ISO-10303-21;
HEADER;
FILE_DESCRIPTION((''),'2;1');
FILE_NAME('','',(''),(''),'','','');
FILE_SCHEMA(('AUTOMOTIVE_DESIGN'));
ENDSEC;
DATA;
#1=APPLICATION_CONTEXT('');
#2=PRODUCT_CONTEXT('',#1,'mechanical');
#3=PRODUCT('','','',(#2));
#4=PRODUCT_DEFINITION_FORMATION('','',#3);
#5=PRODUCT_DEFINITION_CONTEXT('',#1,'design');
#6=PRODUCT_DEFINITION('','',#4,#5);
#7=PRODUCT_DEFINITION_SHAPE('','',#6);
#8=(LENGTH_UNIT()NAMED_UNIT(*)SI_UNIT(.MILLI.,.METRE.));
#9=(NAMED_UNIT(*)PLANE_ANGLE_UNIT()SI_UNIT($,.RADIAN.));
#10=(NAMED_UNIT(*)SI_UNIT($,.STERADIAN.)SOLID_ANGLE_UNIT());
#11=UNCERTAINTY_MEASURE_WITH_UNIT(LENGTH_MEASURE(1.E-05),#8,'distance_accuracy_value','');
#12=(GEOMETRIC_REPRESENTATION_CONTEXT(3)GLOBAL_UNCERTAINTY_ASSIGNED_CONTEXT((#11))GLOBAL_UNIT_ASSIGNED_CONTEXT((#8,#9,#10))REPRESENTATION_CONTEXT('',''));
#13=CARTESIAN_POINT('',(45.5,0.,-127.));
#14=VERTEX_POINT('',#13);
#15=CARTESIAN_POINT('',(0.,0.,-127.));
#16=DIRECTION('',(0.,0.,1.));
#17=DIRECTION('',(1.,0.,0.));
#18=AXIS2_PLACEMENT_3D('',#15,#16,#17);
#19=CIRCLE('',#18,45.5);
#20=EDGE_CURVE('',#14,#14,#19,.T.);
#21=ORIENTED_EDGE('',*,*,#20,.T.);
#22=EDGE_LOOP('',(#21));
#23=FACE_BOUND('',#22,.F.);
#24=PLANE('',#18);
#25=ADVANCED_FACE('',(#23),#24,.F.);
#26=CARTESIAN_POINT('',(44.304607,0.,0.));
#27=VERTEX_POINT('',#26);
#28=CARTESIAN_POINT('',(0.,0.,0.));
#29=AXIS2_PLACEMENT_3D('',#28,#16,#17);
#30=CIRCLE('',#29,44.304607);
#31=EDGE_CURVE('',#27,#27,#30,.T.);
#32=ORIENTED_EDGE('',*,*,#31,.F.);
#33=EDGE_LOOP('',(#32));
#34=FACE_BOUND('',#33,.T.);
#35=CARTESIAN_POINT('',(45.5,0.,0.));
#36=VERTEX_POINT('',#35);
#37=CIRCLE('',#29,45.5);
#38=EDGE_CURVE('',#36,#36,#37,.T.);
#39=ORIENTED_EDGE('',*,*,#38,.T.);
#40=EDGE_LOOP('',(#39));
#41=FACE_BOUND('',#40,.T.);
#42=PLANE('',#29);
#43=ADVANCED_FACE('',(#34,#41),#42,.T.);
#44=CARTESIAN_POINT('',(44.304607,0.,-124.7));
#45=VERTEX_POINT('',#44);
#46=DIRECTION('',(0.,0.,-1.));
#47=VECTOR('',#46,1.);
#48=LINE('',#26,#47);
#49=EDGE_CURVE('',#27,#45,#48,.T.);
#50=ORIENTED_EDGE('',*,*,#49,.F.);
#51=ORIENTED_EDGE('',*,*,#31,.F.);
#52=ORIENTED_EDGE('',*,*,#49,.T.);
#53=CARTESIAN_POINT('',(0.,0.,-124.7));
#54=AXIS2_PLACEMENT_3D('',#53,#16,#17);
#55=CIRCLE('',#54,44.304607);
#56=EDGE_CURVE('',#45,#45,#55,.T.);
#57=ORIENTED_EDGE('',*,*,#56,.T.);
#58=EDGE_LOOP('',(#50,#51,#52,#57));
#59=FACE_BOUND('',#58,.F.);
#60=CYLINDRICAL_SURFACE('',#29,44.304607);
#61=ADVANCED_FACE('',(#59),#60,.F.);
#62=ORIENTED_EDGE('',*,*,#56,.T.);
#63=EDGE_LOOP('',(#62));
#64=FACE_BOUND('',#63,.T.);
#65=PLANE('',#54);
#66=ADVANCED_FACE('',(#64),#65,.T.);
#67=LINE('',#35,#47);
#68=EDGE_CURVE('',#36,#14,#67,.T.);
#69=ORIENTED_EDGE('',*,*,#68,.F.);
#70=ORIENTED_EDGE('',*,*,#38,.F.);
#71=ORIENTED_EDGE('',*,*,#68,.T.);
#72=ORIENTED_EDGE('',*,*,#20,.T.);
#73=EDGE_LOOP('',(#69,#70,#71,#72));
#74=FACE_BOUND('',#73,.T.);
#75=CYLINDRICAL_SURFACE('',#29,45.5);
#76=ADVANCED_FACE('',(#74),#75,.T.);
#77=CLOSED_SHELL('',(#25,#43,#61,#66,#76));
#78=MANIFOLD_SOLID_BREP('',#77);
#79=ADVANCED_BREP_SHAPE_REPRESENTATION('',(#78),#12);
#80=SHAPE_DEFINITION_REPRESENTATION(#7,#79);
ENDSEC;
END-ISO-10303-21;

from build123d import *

# Parameters (mm, degrees)
F0_R     = 45.5
F1_DEPTH = 127
F2_R     = 44.304607
F3_DEPTH = 124.7


with BuildPart() as f1:
    # F0 (on Top) → F1 (new body)
    with BuildSketch(Plane.XY):
        Circle(F0_R)
    extrude(amount=-F1_DEPTH)

    # F2 (on face) → F3 (cut)
    with BuildSketch(Plane.XY):
        Circle(F2_R)
    extrude(amount=-F3_DEPTH, mode=Mode.SUBTRACT)


solid = f1.part
